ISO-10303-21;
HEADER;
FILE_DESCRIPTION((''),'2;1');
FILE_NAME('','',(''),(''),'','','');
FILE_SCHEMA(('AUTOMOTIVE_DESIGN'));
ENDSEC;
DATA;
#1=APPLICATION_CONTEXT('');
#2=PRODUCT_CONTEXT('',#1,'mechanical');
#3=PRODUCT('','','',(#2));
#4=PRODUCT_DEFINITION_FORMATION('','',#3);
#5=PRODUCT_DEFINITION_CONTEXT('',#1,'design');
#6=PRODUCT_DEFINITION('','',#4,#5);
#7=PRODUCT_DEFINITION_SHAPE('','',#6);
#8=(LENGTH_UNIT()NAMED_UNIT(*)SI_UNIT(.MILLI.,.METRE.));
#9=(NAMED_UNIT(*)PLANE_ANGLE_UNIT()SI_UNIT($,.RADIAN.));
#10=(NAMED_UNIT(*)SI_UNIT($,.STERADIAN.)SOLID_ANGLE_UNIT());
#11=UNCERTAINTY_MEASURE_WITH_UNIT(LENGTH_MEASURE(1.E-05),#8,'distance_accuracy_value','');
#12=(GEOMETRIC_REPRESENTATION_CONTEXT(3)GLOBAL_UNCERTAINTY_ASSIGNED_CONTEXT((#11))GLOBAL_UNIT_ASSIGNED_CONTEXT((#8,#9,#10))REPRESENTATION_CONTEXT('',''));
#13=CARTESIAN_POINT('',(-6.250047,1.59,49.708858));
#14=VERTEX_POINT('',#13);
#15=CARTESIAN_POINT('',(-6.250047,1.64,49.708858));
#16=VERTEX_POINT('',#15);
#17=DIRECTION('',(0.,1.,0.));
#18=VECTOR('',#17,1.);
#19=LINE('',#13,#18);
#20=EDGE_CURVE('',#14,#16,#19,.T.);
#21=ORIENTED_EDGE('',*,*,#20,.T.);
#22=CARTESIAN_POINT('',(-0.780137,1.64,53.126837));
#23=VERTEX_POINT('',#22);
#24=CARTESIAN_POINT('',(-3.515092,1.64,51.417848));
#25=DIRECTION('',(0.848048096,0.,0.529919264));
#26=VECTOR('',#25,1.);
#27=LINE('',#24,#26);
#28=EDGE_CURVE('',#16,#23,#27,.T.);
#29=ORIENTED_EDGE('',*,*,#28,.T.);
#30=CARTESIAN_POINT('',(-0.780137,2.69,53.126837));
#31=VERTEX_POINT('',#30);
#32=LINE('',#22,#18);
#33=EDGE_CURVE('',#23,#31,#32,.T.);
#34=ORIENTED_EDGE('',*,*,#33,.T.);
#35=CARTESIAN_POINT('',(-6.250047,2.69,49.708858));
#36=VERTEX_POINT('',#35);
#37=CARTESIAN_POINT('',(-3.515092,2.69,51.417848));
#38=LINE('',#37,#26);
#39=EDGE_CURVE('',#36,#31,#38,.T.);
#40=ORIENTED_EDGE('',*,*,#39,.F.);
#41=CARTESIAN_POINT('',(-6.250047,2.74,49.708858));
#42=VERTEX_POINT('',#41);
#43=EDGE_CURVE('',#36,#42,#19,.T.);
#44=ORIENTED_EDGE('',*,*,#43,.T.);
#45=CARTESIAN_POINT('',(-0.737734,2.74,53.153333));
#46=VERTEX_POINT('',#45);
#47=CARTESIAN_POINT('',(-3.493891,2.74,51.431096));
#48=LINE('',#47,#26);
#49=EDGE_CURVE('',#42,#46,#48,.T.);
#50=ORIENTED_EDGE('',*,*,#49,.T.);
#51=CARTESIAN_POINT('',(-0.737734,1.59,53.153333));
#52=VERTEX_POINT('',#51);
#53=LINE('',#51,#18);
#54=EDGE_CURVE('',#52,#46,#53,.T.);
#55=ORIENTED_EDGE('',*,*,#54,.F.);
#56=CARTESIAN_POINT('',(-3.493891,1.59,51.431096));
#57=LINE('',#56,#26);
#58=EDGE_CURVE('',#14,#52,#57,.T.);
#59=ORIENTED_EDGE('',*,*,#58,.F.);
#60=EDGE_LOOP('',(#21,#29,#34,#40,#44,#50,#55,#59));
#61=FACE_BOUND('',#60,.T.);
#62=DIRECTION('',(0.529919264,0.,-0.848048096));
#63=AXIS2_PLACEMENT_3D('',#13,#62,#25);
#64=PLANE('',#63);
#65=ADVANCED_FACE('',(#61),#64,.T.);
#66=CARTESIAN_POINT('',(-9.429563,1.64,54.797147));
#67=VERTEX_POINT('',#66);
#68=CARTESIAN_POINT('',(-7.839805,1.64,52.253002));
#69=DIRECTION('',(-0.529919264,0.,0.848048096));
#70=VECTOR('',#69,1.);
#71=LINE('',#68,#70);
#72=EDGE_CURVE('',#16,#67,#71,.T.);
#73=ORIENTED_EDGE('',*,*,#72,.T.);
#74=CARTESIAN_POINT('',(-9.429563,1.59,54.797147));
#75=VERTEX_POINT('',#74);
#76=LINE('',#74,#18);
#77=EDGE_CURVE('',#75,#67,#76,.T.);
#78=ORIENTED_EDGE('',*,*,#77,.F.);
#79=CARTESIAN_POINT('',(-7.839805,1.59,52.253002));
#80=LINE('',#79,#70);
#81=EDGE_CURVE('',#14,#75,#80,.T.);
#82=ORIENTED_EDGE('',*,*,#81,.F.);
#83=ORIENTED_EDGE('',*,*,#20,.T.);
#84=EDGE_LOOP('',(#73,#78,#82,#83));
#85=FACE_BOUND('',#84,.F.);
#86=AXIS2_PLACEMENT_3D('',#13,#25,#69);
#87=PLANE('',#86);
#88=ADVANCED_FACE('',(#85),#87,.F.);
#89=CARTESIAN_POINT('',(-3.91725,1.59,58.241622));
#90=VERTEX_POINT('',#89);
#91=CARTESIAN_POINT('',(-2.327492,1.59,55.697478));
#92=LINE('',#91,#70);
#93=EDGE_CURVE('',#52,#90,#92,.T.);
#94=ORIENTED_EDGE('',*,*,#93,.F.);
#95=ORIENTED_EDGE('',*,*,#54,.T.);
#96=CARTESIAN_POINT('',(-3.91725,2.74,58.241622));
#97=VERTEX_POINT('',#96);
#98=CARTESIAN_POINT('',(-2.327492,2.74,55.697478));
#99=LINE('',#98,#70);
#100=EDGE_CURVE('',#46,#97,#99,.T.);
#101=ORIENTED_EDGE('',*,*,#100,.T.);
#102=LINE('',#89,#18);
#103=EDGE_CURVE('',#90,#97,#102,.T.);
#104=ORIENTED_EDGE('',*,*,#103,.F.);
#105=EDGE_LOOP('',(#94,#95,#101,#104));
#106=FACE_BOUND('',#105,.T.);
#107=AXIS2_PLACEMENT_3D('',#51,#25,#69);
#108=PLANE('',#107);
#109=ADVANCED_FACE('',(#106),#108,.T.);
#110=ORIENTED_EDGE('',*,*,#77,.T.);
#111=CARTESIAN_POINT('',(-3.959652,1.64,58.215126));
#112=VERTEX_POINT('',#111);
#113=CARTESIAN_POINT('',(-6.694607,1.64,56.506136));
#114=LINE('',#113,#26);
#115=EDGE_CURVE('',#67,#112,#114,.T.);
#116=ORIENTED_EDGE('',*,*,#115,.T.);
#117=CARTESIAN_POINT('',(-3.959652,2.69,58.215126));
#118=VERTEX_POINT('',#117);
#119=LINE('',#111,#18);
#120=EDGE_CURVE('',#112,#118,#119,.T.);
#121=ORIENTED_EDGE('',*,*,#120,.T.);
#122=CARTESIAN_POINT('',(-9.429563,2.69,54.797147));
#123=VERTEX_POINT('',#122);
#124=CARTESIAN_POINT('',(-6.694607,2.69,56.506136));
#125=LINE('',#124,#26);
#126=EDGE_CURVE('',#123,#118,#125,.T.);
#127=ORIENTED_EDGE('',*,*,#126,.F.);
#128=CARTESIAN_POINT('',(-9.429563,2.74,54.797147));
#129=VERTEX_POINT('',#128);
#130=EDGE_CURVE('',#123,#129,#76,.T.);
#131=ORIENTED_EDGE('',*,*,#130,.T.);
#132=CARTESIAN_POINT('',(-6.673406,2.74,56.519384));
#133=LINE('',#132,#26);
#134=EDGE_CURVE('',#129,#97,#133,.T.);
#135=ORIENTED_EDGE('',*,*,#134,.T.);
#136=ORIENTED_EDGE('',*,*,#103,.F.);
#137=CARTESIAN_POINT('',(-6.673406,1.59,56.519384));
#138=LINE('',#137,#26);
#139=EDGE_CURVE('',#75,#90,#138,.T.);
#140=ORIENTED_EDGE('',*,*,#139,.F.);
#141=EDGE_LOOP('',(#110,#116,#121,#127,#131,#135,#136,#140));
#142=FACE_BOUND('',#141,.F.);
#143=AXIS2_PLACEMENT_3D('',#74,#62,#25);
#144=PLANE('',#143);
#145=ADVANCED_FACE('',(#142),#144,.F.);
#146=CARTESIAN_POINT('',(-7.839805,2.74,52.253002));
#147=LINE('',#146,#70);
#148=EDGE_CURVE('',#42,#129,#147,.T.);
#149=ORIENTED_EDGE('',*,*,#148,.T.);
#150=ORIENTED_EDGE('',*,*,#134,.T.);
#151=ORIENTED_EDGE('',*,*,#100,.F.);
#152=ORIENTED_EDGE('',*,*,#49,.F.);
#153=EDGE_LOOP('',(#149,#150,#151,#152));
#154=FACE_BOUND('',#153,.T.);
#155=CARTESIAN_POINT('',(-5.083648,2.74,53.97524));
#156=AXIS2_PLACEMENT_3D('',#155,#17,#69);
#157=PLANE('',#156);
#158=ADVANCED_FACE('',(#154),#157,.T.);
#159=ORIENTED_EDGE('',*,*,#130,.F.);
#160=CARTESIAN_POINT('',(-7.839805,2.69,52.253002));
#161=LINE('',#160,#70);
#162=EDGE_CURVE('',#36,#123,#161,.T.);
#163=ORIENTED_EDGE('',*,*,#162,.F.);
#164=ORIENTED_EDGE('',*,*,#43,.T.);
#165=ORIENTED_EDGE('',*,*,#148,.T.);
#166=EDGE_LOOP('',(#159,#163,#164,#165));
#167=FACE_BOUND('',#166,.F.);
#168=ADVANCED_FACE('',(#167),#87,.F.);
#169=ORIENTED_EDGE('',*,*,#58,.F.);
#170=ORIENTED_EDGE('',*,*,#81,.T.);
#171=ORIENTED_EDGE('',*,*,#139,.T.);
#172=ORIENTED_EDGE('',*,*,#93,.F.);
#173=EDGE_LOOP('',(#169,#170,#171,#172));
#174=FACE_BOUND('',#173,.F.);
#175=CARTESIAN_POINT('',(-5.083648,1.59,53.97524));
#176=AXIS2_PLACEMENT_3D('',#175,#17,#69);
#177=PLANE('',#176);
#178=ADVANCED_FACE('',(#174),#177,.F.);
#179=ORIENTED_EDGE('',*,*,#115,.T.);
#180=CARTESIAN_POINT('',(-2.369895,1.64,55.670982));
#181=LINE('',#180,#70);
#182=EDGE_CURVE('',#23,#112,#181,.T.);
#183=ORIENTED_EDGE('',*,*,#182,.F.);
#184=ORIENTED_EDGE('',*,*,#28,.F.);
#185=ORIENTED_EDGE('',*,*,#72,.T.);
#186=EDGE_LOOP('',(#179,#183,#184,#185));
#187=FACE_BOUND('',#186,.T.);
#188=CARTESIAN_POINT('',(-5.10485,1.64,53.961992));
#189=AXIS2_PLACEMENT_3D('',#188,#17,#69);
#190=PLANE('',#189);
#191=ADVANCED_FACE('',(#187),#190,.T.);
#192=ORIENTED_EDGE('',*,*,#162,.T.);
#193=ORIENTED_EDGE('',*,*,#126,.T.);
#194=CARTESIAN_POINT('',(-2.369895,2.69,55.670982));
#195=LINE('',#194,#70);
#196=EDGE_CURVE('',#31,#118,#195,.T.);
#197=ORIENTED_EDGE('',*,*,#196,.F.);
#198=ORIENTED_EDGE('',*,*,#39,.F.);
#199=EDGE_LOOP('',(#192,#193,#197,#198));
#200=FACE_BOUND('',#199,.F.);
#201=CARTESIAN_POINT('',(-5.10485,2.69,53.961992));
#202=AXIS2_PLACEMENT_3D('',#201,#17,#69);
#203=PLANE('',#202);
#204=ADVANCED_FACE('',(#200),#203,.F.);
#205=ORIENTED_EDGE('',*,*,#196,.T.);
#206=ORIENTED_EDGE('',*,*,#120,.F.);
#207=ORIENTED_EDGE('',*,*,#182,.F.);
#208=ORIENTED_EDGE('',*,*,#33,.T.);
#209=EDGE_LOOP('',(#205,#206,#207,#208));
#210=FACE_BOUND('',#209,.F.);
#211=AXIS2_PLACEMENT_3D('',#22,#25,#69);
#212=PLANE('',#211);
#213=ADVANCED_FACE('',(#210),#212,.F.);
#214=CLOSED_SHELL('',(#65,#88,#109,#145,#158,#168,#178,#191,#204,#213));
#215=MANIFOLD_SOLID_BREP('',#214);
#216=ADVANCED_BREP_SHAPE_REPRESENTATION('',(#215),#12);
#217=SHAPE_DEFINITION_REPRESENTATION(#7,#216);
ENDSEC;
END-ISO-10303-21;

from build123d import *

# Parameters (mm, degrees)
BOX136_W               = 6
BOX136_H               = 6.45
BOX136_DEPTH           = 1.05
BOX135_W               = 6
BOX135_H               = 6.5
BOX135_DEPTH           = 1.15
CUT060_ROLL_ANGLE      = 90
CUT060_PITCH_ANGLE     = -58
CUT060_PLACEMENT_ANGLE = 180


with BuildPart() as small_cu_gnd_electrode052:
    # Box136 → Box136 (new body)
    with BuildSketch(Plane.XY.offset(0.05)):
        with Locations((3, 3.225)):
            Rectangle(BOX136_W, BOX136_H)
    extrude(amount=BOX136_DEPTH)


with BuildPart() as small_cu_electrode_short_axis_gnd005:
    # Box135 → Box135 (new body)
    with BuildSketch(Plane.XY):
        with Locations((3, 3.25)):
            Rectangle(BOX135_W, BOX135_H)
    extrude(amount=BOX135_DEPTH)

    # Cut060: cut Small Cu GND Electrode052
    add(small_cu_gnd_electrode052.part, mode=Mode.SUBTRACT)


with BuildPart() as small_cu_electrode_short_axis_gnd005_1:
    # Cut060 roll: moved
    add(small_cu_electrode_short_axis_gnd005.part.rotate(Axis((0, 0, 0), (1, 0, 0)), CUT060_ROLL_ANGLE))


with BuildPart() as small_cu_electrode_short_axis_gnd005_2:
    # Cut060 pitch: moved
    add(small_cu_electrode_short_axis_gnd005_1.part.rotate(Axis((0, 0, 0), (0, 1, 0)), CUT060_PITCH_ANGLE))


with BuildPart() as small_cu_electrode_short_axis_gnd005_3:
    # Cut060 placement: moved
    add(small_cu_electrode_short_axis_gnd005_2.part.moved(Location((-6.250047, 1.59, 49.708858))).rotate(Axis((-6.250047, 1.59, 49.708858), (0, 0, 1)), CUT060_PLACEMENT_ANGLE))


solid = small_cu_electrode_short_axis_gnd005_3.part
